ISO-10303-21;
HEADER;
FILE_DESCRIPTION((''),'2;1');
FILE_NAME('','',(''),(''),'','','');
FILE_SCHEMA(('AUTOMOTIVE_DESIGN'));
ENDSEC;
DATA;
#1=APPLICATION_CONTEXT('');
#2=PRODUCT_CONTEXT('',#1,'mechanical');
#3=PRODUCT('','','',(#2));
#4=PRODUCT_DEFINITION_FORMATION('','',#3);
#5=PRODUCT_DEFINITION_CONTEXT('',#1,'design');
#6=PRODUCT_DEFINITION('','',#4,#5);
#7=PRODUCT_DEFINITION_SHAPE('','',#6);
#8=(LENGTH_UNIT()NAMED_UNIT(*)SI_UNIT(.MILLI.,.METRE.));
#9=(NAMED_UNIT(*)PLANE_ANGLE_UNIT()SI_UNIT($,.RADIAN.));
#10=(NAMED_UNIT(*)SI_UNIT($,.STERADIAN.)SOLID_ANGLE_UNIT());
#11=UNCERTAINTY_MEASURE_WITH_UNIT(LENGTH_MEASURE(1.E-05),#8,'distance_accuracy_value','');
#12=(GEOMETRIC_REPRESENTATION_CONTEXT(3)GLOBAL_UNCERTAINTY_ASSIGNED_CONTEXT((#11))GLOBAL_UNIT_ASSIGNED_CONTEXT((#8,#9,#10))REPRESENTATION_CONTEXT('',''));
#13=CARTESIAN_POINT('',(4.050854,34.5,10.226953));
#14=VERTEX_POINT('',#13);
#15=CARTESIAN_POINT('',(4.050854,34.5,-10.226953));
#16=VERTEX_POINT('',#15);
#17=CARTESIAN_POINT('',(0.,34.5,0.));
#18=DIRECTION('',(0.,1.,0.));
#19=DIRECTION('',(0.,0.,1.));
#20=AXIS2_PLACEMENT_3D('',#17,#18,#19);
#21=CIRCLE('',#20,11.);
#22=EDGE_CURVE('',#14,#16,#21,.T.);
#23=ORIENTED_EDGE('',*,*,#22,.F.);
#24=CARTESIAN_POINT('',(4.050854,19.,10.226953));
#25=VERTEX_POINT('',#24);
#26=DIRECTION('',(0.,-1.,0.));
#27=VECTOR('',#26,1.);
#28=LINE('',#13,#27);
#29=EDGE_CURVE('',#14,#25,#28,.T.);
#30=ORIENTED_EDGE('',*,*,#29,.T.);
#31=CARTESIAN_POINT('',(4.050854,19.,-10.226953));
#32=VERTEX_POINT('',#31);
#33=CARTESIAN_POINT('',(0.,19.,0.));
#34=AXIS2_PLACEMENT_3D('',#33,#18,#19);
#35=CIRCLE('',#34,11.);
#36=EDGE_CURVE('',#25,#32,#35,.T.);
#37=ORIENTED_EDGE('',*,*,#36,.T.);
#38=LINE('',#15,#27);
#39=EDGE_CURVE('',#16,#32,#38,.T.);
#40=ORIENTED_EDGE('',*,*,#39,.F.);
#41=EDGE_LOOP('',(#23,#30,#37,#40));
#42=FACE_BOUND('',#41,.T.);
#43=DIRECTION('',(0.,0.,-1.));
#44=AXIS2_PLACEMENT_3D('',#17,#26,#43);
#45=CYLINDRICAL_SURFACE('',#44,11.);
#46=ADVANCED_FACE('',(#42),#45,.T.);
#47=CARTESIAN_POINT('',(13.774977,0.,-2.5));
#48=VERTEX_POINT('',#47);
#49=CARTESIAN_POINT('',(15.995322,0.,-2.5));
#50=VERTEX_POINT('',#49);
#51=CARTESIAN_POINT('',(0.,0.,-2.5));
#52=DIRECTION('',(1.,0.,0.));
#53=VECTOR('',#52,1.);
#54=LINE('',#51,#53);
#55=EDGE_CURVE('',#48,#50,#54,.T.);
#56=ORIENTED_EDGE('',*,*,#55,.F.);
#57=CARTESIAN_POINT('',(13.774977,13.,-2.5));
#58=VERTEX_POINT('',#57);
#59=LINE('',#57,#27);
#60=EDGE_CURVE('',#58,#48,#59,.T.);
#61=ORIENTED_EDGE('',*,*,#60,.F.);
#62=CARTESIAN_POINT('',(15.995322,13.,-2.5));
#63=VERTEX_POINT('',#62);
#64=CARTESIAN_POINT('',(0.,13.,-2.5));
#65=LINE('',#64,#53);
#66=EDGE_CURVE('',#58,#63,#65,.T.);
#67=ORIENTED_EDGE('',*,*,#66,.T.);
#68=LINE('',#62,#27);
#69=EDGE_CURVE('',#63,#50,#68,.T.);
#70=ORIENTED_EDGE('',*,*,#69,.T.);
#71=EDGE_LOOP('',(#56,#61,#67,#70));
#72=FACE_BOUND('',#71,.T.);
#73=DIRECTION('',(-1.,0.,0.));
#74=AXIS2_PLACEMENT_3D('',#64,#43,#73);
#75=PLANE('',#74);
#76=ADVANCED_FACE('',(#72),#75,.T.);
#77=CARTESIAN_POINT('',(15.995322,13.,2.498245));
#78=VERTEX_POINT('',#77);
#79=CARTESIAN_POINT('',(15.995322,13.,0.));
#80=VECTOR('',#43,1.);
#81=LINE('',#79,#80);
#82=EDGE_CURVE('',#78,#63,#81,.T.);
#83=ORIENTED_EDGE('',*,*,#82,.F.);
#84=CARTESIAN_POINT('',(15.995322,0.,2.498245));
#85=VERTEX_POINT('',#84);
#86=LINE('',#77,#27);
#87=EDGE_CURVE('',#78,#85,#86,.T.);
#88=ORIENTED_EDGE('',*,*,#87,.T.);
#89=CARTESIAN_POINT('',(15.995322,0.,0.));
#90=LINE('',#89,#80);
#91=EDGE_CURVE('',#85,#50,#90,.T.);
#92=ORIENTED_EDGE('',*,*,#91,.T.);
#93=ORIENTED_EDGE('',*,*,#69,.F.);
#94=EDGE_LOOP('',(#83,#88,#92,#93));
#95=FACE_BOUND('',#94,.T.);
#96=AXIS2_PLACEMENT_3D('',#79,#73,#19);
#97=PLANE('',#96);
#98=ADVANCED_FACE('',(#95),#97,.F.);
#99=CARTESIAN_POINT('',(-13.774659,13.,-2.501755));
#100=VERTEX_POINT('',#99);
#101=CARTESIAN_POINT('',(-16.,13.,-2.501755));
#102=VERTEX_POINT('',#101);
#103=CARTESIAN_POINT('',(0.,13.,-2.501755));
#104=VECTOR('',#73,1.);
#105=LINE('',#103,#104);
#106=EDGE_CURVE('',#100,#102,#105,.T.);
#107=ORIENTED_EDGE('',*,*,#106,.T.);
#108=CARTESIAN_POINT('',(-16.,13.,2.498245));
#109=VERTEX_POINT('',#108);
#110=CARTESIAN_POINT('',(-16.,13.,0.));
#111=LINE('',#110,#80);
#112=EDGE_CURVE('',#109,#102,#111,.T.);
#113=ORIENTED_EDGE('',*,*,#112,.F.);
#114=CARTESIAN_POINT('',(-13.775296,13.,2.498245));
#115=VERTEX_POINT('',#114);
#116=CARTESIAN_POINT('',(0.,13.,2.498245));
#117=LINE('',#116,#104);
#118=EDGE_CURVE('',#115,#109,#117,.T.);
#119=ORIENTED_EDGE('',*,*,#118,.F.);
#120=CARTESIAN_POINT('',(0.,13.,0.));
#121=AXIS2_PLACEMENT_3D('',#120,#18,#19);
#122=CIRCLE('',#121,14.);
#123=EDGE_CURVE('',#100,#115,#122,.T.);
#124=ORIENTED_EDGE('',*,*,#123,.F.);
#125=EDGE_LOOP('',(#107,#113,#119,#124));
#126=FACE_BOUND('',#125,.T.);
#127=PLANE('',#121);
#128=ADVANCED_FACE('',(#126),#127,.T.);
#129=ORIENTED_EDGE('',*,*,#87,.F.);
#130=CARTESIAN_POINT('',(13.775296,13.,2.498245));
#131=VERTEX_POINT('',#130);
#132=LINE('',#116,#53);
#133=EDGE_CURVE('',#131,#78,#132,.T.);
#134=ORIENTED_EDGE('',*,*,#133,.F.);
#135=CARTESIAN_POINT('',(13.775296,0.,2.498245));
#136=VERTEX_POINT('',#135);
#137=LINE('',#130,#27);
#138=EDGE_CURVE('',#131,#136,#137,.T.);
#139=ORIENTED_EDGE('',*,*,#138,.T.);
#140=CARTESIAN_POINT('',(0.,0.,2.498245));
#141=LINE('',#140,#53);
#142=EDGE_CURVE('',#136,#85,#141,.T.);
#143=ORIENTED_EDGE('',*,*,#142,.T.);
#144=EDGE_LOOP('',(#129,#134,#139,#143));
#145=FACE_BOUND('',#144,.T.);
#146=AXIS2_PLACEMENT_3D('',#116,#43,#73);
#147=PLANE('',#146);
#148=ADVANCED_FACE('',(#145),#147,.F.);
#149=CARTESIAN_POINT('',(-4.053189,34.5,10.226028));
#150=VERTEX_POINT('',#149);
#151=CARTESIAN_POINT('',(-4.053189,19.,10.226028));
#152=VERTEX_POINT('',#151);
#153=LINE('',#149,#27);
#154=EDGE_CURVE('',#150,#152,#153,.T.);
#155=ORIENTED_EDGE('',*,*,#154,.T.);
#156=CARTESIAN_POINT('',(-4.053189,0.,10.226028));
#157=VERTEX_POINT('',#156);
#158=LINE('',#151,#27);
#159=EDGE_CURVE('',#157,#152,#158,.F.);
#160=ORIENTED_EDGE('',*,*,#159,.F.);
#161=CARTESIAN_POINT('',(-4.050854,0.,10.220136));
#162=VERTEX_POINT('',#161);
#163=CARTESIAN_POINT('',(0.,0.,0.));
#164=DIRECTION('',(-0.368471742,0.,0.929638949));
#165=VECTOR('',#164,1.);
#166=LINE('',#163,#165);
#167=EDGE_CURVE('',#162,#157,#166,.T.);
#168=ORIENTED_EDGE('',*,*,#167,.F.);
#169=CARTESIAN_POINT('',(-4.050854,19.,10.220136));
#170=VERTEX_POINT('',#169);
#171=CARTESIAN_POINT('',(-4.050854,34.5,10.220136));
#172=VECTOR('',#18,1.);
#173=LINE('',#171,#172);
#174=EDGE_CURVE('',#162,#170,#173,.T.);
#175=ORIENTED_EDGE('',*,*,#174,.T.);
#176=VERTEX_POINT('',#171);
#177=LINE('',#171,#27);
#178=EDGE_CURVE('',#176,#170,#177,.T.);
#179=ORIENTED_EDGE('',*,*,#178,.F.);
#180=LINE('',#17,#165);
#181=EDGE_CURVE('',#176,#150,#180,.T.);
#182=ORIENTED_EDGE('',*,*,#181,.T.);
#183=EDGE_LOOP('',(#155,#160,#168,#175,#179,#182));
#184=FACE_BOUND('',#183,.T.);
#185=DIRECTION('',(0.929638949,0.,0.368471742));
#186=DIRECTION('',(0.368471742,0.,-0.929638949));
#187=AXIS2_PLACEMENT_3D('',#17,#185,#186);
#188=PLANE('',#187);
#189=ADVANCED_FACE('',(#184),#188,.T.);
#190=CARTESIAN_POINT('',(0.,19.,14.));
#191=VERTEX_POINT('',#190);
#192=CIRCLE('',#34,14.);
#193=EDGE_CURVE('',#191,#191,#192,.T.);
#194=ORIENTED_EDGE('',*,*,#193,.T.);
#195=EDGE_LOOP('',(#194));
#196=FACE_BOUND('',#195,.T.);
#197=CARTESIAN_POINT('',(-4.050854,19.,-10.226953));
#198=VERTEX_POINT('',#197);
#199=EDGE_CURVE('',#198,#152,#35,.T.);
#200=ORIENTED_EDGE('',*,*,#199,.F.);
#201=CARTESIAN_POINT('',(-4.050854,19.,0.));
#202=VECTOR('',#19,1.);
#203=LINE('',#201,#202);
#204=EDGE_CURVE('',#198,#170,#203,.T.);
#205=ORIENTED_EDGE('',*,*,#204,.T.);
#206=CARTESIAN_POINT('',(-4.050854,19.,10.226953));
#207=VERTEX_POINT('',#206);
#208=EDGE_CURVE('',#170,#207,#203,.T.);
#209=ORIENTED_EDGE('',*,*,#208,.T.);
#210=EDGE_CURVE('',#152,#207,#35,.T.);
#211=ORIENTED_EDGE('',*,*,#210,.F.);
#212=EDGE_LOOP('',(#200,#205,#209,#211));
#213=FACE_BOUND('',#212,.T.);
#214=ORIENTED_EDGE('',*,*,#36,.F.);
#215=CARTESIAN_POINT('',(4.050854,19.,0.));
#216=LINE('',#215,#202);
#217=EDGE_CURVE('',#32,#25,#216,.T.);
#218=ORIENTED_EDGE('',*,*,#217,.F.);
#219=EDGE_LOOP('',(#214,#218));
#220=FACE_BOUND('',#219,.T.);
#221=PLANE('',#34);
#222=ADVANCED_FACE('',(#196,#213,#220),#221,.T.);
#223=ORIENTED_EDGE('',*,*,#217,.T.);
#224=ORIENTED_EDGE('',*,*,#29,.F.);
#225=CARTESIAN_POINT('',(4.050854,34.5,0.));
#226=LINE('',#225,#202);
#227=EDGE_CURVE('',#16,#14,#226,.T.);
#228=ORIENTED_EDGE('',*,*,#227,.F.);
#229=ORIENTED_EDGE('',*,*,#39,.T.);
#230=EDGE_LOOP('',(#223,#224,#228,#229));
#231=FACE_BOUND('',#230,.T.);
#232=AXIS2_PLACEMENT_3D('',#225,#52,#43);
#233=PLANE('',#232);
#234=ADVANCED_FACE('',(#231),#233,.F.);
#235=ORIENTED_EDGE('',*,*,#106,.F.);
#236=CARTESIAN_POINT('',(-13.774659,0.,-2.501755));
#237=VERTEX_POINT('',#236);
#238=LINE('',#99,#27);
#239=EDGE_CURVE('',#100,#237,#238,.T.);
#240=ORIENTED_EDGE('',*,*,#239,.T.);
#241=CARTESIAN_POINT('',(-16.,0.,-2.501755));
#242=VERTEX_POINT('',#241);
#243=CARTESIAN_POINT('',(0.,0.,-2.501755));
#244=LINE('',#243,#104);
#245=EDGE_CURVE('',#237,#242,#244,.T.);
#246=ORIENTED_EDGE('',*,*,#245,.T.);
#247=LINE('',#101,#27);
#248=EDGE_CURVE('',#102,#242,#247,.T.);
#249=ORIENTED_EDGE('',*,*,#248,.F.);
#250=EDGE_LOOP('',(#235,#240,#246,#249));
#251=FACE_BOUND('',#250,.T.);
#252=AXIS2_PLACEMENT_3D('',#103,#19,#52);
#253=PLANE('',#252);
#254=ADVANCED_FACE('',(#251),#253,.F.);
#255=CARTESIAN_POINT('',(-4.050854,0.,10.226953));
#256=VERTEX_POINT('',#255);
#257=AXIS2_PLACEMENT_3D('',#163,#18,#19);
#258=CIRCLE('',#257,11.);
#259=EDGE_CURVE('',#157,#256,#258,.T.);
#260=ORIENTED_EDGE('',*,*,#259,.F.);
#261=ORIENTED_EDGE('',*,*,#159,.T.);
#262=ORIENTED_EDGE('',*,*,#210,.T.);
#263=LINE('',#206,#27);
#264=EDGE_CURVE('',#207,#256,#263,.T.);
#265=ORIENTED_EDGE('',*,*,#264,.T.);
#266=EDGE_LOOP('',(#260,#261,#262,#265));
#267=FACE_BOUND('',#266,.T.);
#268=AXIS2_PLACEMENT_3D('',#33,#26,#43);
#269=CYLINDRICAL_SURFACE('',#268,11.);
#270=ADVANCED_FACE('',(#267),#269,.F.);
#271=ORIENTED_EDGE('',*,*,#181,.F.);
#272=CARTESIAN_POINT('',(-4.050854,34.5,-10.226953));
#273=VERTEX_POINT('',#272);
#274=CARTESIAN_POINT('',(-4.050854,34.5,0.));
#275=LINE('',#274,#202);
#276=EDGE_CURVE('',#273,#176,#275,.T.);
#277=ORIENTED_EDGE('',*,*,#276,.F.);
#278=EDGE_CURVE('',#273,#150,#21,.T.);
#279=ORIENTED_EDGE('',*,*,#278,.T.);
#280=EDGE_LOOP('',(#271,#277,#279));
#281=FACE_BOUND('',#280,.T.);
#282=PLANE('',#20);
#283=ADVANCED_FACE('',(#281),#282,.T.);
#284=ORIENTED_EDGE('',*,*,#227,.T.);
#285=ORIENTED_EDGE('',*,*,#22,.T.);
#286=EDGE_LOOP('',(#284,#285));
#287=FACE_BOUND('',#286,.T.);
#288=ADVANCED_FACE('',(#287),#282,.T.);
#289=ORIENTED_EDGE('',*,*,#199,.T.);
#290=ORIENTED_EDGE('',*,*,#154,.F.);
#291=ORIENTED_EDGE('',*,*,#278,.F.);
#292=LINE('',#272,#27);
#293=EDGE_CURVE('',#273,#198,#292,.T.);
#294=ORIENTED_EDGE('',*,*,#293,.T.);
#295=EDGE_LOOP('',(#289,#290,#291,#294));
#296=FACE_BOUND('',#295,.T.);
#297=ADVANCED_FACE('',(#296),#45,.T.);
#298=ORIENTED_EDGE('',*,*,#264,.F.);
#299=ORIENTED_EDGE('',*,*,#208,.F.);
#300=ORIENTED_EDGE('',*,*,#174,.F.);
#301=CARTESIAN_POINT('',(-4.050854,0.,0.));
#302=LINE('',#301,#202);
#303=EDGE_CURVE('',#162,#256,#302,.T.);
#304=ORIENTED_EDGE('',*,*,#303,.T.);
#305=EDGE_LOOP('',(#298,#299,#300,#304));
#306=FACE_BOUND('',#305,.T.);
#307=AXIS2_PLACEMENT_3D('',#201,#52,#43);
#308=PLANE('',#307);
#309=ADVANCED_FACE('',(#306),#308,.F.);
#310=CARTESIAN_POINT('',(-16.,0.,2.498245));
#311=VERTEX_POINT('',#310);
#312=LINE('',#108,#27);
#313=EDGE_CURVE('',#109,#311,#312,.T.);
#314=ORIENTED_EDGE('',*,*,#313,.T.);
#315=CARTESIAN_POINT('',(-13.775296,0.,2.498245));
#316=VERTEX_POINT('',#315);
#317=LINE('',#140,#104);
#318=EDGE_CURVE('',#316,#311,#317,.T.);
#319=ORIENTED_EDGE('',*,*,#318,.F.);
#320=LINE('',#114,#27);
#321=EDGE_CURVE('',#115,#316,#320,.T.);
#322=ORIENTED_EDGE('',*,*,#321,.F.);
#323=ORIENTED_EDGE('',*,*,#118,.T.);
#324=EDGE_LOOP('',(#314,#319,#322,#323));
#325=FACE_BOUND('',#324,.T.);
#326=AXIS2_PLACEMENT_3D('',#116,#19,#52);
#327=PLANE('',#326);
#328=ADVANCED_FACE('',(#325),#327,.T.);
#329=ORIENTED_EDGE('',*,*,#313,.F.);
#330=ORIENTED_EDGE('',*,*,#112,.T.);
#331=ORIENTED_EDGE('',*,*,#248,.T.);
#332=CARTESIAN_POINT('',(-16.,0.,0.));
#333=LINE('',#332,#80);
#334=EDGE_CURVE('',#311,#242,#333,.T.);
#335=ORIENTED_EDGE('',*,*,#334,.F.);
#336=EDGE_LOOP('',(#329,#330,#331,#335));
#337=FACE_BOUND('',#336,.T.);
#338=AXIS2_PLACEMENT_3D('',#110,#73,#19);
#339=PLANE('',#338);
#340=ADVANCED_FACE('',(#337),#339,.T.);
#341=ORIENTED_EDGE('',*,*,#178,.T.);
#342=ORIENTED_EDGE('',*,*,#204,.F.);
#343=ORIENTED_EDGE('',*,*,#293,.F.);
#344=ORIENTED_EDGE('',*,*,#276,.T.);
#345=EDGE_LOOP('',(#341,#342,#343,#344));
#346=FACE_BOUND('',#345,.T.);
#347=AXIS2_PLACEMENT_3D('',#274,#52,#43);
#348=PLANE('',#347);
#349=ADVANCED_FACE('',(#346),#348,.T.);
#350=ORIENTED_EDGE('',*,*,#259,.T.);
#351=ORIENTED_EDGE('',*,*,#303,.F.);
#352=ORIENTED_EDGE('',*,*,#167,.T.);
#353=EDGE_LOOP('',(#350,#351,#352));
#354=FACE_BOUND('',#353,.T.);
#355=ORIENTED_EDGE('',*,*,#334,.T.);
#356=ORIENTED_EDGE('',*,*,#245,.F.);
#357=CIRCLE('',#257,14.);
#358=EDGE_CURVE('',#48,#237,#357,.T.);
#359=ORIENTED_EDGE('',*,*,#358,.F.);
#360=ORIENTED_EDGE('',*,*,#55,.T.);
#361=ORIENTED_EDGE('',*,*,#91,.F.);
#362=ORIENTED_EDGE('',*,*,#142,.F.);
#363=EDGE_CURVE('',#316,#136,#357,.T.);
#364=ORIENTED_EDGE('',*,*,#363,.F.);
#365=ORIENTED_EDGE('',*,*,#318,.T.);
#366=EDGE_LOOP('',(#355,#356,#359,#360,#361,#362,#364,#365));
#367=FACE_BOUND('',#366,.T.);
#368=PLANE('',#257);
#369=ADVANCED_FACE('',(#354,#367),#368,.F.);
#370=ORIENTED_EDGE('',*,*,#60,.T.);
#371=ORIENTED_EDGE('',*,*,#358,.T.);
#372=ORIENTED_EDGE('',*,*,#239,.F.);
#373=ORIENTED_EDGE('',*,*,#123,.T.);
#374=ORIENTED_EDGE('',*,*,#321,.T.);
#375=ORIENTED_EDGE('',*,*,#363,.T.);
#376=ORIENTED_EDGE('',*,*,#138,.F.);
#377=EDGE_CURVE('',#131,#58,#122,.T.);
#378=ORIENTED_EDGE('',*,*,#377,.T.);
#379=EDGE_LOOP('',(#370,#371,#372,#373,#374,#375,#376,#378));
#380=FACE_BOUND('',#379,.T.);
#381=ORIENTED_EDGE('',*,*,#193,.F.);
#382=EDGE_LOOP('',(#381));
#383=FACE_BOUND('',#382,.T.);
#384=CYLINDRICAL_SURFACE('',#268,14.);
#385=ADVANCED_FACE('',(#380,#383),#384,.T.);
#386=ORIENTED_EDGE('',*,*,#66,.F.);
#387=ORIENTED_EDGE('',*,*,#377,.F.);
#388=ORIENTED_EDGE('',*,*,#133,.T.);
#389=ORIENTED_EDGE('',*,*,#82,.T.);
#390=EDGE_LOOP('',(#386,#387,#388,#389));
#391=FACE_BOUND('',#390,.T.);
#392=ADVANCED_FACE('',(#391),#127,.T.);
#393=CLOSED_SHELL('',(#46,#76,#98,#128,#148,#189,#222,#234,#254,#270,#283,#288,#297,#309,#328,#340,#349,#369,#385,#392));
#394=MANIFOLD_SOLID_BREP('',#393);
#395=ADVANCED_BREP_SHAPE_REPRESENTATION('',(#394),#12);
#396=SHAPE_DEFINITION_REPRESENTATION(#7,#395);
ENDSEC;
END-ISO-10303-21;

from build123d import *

# Parameters (mm, degrees)
BOSS_EXTRUDE1_DEPTH   = 34.5
BOSS_EXTRUDE1_2_DEPTH = 34.5
SKETCH1_4_R           = 14
BOSS_EXTRUDE2_DEPTH   = 19
BOSS_EXTRUDE3_DEPTH   = 13


with BuildPart() as part:
    # Sketch1 → Boss-Extrude1 (new body)
    with BuildSketch(Plane(origin=(0, 0, 0), x_dir=(1, 0, 0), z_dir=(0, 1, 0))):
        with BuildLine():
            Line((-4.053189053, -10.226028173), (-4.050853741, -10.220136277))
            Line((-4.050853741, -10.220136277), (-4.050853741, 10.226953489))
            ThreePointArc((-4.050853741, 10.226953489), (-10.999999641, 0.001255975), (-4.053189053, -10.226028173))
        make_face()
    extrude(amount=BOSS_EXTRUDE1_DEPTH)



with BuildPart() as body_2:
    # Sketch1 → Boss-Extrude1 2 (new body)
    with BuildSketch(Plane(origin=(0, 0, 0), x_dir=(1, 0, 0), z_dir=(0, 1, 0))):
        with BuildLine():
            ThreePointArc((4.050853741, -10.226953489), (10.999999713, 0), (4.050853741, 10.226953489))
            Line((4.050853741, 10.226953489), (4.050853741, -10.226953489))
        make_face()
    extrude(amount=BOSS_EXTRUDE1_2_DEPTH)


with BuildPart() as part_1:
    add(part.part)

    add(body_2.part)  # Boss-Extrude2 merges body 2
    # Sketch1<4> → Boss-Extrude2 (add)
    with BuildSketch(Plane(origin=(0, 0, 0), x_dir=(1, 0, 0), z_dir=(0, 1, 0))):
        Circle(SKETCH1_4_R)
        with BuildLine():
            Line((-4.050853741, -10.220136277), (-4.050853741, -10.226953489))
            ThreePointArc((-4.050853741, -10.226953489), (-10.999999713, 0), (-4.050853741, 10.226953489))
            Line((-4.050853741, 10.226953489), (-4.050853741, 2.501755217))
            Line((-4.050853741, 2.501755217), (-4.050853741, -10.220136277))
        make_face(mode=Mode.SUBTRACT)
        with BuildLine():
            Line((4.050853741, -10.226953489), (4.050853741, 2.5))
            Line((4.050853741, 2.5), (4.050853741, 10.226953489))
            ThreePointArc((4.050853741, 10.226953489), (10.999999713, 0), (4.050853741, -10.226953489))
        make_face(mode=Mode.SUBTRACT)
    extrude(amount=BOSS_EXTRUDE2_DEPTH)

    # Sketch1<5> → Boss-Extrude3 (add)
    with BuildSketch(Plane(origin=(0, 0, 0), x_dir=(1, 0, 0), z_dir=(0, 1, 0))):
        with BuildLine():
            Line((-16, -2.498244783), (-13.77529575, -2.498244783))
            ThreePointArc((-13.77529575, -2.498244783), (-13.999999886, 0.001783889), (-13.774658647, 2.501755217))
            Line((-13.774658647, 2.501755217), (-16, 2.501755217))
            Line((-16, 2.501755217), (-16, -2.498244783))
        make_face()
        with BuildLine():
            ThreePointArc((13.774977314, 2.5), (13.999999972, 0.000891934), (13.77529575, -2.498244783))
            Line((13.77529575, -2.498244783), (15.995322261, -2.498244783))
            Line((15.995322261, -2.498244783), (15.995322261, 2.5))
            Line((15.995322261, 2.5), (13.774977314, 2.5))
        make_face()
    extrude(amount=BOSS_EXTRUDE3_DEPTH)


solid = part_1.part
